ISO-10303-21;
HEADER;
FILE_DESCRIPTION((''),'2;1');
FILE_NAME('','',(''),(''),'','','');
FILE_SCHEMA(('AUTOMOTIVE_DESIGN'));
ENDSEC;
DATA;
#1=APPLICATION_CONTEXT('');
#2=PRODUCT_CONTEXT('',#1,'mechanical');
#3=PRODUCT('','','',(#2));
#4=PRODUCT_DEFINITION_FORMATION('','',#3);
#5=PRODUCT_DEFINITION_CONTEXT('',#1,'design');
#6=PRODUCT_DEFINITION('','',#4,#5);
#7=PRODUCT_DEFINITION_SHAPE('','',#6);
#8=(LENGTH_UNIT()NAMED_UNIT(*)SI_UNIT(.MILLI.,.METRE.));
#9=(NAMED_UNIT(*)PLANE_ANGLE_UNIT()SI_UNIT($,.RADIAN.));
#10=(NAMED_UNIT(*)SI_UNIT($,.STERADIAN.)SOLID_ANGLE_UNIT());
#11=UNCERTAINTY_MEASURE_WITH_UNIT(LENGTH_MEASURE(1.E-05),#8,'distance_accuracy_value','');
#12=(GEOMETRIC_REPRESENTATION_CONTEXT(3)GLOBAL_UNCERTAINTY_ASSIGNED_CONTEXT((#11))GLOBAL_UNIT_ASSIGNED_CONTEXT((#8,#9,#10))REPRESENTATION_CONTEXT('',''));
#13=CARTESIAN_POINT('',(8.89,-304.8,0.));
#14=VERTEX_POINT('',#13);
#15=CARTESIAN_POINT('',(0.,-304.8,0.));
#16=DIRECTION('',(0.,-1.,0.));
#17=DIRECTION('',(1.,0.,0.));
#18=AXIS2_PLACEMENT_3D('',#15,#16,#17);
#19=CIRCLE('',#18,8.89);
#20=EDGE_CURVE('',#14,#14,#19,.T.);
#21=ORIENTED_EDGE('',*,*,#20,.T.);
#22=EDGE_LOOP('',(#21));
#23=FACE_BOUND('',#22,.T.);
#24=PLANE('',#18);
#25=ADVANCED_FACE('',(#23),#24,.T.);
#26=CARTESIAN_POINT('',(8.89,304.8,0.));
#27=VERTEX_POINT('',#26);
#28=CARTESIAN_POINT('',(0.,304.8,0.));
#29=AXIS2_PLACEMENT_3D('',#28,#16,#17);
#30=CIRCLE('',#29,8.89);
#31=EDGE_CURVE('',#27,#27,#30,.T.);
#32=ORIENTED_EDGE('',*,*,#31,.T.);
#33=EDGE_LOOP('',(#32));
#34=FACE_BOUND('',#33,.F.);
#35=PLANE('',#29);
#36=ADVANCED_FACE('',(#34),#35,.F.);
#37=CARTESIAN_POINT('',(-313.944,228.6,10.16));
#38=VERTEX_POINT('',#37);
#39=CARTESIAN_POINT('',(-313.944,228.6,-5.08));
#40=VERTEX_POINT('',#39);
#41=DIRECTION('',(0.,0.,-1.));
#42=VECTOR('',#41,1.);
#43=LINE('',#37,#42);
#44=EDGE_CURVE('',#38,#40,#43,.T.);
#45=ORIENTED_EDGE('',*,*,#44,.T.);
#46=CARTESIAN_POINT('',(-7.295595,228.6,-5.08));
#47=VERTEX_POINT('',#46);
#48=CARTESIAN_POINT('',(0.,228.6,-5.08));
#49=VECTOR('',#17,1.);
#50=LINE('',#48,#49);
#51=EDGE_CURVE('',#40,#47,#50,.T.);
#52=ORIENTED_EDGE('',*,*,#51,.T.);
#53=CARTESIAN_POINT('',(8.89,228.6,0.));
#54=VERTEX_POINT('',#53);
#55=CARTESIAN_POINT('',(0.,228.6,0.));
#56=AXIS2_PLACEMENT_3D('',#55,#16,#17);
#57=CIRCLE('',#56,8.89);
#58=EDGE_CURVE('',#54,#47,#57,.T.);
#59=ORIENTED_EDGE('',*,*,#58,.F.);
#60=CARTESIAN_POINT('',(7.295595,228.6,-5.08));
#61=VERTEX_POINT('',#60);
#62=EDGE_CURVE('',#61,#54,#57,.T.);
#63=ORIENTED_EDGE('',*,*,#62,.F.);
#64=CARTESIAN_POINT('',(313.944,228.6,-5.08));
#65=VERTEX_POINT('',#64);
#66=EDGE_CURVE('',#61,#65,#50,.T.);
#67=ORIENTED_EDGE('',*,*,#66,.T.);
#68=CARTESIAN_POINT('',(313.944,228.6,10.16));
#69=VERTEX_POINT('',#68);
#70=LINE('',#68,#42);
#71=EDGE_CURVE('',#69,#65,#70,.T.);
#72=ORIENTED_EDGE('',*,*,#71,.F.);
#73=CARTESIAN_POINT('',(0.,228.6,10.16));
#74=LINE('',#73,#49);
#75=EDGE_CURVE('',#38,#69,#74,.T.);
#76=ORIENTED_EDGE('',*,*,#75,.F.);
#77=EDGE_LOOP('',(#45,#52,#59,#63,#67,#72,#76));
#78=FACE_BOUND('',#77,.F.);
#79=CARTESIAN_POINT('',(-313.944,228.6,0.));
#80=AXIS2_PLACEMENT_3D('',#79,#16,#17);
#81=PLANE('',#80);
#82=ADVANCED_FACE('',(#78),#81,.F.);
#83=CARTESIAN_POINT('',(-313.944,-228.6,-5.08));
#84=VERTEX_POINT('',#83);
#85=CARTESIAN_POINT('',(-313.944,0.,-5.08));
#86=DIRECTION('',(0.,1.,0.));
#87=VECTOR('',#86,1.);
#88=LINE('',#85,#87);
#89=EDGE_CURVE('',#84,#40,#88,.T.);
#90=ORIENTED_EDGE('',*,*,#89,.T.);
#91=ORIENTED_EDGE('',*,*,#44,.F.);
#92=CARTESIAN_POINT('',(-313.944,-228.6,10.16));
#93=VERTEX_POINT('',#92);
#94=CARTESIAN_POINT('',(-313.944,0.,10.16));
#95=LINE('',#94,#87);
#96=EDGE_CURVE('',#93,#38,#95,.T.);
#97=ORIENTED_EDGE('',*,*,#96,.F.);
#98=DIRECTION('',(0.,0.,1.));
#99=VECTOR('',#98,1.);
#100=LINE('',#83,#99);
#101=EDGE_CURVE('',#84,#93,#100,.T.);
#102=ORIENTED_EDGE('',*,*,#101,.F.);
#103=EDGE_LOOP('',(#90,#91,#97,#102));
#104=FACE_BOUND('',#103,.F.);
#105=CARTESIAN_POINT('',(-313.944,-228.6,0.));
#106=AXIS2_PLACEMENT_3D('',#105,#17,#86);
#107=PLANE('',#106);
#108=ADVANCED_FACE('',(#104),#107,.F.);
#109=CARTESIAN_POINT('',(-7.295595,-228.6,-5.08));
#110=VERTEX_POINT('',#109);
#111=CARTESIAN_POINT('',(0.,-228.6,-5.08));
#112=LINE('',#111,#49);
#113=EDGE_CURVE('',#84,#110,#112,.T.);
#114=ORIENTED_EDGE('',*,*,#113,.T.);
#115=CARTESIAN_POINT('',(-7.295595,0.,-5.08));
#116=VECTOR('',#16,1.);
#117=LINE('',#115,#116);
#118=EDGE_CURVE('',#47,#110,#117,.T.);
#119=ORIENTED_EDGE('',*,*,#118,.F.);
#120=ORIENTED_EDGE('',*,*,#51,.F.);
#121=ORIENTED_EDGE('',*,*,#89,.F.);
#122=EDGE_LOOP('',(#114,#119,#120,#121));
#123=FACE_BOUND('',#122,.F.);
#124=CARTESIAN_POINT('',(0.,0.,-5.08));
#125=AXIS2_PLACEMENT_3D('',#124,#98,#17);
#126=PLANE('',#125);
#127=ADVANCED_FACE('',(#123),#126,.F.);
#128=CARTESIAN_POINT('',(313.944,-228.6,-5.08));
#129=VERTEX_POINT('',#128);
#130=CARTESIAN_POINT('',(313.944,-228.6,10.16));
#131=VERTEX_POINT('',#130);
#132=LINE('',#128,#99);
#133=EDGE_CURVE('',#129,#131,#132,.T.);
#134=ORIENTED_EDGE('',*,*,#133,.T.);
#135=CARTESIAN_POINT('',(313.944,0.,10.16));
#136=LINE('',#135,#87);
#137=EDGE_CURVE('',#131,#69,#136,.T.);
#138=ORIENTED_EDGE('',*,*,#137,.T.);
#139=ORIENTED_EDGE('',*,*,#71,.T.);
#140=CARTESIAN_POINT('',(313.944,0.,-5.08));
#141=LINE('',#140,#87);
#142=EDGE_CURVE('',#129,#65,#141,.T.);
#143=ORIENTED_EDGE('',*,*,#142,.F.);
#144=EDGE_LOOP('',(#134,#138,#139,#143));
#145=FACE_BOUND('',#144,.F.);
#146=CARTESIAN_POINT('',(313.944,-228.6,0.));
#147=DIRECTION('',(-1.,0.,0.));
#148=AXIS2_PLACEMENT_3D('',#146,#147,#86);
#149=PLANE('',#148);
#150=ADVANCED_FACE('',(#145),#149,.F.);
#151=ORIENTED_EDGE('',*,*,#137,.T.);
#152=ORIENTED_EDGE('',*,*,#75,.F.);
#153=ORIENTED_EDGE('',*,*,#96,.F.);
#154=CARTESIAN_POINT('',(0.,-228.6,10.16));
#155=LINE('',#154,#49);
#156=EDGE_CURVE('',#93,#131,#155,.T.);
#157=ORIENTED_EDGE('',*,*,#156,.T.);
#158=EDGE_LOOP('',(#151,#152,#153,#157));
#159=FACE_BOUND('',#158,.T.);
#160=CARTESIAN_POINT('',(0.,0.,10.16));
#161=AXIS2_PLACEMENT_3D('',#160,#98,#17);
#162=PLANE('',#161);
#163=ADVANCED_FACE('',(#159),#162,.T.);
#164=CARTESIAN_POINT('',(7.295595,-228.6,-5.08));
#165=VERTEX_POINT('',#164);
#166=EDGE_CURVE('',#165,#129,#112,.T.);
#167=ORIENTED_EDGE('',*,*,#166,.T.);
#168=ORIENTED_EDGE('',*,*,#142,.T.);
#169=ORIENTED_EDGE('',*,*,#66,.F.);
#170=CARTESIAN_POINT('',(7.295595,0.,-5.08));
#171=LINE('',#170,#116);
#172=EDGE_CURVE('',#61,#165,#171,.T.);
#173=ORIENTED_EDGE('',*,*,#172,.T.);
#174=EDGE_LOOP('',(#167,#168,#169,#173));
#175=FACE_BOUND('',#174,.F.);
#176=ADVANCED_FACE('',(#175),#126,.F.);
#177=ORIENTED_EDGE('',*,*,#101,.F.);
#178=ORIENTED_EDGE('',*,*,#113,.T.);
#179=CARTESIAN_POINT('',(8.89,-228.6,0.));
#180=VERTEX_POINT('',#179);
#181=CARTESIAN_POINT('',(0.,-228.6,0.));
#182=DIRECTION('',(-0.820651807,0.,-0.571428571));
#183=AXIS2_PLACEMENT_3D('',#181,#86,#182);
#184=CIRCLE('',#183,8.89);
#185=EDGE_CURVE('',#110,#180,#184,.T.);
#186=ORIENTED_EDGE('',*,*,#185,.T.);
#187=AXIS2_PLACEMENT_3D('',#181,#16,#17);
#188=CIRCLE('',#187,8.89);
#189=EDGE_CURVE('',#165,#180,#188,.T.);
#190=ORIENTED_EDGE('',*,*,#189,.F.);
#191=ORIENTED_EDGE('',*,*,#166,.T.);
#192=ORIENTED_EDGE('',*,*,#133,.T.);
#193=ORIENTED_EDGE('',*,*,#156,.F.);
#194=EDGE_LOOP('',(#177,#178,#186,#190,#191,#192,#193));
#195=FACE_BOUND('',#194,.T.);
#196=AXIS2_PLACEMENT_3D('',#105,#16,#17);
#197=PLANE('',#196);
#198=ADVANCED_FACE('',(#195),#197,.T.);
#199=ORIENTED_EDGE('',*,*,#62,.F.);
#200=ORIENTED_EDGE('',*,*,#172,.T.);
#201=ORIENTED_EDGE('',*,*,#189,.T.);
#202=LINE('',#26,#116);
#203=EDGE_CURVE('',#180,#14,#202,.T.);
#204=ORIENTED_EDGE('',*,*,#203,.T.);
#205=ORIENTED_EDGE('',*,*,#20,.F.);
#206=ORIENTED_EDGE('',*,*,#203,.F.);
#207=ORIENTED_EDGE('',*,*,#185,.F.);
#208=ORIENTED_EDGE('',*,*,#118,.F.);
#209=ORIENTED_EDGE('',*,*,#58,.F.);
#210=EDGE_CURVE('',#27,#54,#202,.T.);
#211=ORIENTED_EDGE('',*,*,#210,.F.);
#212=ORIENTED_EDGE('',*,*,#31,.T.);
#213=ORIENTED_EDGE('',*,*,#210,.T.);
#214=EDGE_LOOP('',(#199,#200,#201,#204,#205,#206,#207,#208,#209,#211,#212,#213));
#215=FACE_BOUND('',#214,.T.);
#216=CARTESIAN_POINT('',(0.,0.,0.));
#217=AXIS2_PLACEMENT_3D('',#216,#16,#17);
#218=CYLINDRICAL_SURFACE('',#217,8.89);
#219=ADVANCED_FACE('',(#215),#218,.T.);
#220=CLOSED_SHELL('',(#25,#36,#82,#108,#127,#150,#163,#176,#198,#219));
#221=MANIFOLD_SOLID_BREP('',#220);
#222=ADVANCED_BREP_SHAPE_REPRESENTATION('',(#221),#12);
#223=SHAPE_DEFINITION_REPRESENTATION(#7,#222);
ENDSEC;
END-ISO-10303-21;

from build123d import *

# Parameters (mm, degrees)
F0_R          = 8.89
F1_DEPTH      = 304.8
F1_DEPTH_BACK = 304.8
F2_W          = 627.888
F2_H          = 457.2
F3_DEPTH      = 10.16
F3_DEPTH_BACK = 5.08


with BuildPart() as f1:
    # F0 (on Front) → F1 (new body, two sides)
    with BuildSketch(Plane.XZ) as f1_sk:
        Circle(F0_R)
    extrude(amount=F1_DEPTH)
    extrude(f1_sk.sketch, amount=-F1_DEPTH_BACK)

    # F2 (on Top) → F3 (join, two sides)
    with BuildSketch(Plane.XY) as f3_sk:
        Rectangle(F2_W, F2_H)
    extrude(amount=F3_DEPTH)
    extrude(f3_sk.sketch, amount=-F3_DEPTH_BACK)


solid = f1.part
